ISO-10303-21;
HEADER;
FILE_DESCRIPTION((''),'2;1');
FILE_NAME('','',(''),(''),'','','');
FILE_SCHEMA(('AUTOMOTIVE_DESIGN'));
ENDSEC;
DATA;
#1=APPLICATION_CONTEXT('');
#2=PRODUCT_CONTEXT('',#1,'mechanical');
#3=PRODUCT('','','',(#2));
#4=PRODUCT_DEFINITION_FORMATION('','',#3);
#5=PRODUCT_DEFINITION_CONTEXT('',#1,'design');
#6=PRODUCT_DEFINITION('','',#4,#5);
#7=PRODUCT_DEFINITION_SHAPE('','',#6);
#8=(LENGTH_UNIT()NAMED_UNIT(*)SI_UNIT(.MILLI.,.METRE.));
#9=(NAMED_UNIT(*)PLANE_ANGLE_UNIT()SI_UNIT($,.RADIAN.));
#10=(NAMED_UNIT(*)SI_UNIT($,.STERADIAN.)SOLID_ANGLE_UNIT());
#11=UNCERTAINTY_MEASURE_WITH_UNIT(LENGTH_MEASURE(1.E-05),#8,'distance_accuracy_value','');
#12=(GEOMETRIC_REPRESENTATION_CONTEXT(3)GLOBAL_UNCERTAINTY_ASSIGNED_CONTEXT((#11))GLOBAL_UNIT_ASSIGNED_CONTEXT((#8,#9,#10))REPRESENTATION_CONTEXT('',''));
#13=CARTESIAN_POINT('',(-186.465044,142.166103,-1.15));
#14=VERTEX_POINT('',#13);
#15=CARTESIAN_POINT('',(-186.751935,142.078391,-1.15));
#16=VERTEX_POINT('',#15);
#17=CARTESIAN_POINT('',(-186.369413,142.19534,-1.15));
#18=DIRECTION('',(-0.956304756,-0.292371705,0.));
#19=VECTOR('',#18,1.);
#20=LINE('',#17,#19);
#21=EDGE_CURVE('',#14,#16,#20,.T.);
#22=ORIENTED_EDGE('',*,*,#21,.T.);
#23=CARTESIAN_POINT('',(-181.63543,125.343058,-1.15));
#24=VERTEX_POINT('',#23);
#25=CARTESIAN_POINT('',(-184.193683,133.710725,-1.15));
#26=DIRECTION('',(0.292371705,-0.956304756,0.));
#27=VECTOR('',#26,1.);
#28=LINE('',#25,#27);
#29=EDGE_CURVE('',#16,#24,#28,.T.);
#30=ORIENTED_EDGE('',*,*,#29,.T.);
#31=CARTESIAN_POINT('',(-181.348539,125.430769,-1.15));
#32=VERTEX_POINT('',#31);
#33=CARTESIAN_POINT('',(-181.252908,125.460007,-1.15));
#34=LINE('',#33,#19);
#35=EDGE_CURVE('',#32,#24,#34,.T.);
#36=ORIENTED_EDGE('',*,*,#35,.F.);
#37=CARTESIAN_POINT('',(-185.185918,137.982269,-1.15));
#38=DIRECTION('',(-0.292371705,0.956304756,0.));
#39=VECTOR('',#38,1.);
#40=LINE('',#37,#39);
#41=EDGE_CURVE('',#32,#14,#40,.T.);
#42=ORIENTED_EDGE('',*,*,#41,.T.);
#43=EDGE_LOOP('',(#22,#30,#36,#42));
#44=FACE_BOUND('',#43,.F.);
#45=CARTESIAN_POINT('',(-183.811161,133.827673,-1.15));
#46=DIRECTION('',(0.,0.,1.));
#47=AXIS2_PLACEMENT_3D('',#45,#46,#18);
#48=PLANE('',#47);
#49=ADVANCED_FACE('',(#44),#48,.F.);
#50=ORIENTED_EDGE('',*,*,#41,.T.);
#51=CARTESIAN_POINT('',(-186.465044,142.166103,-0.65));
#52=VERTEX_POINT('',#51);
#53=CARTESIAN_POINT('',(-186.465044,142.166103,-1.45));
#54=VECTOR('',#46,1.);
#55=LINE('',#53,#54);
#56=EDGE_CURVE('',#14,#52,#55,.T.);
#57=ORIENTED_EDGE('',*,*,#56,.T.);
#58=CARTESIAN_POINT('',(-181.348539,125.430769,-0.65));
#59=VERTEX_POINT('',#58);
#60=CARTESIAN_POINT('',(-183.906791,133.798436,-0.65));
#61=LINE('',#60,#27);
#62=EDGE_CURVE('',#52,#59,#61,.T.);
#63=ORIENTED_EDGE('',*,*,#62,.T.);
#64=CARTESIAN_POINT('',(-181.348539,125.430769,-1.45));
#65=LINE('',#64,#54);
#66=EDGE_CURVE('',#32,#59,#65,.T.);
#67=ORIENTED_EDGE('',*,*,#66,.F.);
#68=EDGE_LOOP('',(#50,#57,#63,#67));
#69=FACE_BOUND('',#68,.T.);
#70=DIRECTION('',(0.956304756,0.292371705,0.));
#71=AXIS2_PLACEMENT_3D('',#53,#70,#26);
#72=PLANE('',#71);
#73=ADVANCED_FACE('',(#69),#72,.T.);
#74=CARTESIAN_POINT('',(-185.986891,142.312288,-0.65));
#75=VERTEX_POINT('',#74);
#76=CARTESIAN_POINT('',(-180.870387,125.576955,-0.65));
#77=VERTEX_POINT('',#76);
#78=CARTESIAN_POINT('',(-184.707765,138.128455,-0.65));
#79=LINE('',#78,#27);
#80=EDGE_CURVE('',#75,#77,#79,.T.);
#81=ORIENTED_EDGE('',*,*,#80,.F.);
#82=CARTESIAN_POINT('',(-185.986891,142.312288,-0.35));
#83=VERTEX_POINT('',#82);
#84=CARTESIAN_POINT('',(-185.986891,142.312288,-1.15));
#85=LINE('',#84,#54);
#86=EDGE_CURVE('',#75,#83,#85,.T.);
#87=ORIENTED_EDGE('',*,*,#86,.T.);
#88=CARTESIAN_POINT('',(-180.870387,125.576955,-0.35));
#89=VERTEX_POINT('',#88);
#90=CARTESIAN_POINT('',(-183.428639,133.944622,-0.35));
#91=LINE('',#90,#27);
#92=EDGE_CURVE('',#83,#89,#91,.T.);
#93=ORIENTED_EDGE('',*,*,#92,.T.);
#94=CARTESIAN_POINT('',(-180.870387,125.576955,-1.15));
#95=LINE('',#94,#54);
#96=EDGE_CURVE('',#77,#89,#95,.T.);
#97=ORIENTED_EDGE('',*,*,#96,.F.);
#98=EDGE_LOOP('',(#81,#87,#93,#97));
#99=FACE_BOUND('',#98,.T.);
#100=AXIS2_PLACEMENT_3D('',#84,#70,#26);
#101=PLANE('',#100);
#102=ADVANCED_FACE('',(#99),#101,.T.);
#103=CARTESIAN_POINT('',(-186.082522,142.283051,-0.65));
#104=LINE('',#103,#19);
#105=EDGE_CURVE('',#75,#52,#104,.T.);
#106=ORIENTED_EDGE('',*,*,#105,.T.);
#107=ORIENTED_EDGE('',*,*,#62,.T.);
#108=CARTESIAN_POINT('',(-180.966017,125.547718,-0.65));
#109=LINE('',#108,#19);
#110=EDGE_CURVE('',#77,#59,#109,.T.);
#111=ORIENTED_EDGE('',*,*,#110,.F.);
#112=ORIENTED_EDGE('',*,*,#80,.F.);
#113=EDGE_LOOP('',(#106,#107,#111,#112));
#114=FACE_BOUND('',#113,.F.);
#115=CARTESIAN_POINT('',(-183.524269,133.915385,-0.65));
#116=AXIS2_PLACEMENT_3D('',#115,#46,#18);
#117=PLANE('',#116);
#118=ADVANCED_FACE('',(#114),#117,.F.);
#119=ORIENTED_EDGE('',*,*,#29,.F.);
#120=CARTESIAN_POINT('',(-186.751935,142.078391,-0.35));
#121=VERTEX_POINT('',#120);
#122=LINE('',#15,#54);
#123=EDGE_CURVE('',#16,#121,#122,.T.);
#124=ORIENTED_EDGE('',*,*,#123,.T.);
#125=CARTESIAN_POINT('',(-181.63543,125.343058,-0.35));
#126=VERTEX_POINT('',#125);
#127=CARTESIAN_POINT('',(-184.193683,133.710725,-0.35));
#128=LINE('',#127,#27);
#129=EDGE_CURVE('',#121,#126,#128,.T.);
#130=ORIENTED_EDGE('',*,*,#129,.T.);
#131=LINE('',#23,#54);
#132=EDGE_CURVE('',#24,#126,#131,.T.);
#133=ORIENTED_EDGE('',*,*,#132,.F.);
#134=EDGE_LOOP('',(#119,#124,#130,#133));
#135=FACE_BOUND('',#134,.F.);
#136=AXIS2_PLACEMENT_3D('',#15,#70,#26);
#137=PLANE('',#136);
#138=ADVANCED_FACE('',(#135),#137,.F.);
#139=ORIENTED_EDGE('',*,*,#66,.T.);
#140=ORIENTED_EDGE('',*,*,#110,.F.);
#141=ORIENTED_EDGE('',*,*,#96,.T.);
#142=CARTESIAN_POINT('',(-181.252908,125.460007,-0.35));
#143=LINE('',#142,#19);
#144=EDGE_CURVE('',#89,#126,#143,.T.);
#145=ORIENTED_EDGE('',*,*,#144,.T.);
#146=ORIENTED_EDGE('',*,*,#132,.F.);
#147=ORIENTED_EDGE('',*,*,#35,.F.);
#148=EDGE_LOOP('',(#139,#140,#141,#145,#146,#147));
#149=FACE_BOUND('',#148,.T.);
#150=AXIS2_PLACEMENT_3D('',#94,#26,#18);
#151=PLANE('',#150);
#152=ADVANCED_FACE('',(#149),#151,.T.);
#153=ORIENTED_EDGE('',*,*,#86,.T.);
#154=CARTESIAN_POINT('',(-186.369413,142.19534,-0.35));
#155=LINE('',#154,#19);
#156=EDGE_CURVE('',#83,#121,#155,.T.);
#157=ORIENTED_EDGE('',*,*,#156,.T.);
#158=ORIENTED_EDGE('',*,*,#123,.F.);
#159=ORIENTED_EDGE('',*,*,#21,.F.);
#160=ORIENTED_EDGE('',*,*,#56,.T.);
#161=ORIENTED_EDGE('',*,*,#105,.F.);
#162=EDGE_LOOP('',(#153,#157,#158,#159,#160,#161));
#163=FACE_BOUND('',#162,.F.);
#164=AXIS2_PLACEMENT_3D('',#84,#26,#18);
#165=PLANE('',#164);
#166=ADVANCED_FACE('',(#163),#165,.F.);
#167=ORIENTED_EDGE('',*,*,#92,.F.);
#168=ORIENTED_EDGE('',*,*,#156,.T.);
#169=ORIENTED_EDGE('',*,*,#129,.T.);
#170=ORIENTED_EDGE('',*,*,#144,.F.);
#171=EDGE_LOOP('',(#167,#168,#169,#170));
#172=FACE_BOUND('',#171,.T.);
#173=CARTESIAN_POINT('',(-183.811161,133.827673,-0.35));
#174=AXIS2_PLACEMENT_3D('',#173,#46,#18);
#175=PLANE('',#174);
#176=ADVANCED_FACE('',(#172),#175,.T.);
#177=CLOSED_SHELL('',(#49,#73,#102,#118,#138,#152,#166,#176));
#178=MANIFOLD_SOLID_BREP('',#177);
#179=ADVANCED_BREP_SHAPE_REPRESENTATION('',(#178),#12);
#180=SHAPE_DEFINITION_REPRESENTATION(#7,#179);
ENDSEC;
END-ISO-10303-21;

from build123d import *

# Parameters (mm, degrees)
BOX171_W               = 0.8
BOX171_H               = 17.5
BOX171_DEPTH           = 0.8
BOX172_W               = 0.8
BOX172_H               = 17.5
BOX172_DEPTH           = 0.8
CUT089_PLACEMENT_ANGLE = 197


with BuildPart() as cubo171:
    # Box171 → Box171 (new body)
    with BuildSketch(Plane.XY):
        with Locations((0.4, 8.75)):
            Rectangle(BOX171_W, BOX171_H)
    extrude(amount=BOX171_DEPTH)


with BuildPart() as perfil_l_2da_cara031:
    # Box172 → Box172 (new body)
    with BuildSketch(Plane(origin=(0.3, 0, 0.3), x_dir=(1, 0, 0), z_dir=(0, 0, 1))):
        with Locations((0.4, 8.75)):
            Rectangle(BOX172_W, BOX172_H)
    extrude(amount=BOX172_DEPTH)

    # Cut089: cut Cubo171
    add(cubo171.part, mode=Mode.SUBTRACT)


with BuildPart() as perfil_l_2da_cara031_1:
    # Cut089 placement: moved
    add(perfil_l_2da_cara031.part.moved(Location((-185.7, 142.4, -1.45))).rotate(Axis((-185.7, 142.4, -1.45), (0, 0, 1)), CUT089_PLACEMENT_ANGLE))


solid = perfil_l_2da_cara031_1.part
